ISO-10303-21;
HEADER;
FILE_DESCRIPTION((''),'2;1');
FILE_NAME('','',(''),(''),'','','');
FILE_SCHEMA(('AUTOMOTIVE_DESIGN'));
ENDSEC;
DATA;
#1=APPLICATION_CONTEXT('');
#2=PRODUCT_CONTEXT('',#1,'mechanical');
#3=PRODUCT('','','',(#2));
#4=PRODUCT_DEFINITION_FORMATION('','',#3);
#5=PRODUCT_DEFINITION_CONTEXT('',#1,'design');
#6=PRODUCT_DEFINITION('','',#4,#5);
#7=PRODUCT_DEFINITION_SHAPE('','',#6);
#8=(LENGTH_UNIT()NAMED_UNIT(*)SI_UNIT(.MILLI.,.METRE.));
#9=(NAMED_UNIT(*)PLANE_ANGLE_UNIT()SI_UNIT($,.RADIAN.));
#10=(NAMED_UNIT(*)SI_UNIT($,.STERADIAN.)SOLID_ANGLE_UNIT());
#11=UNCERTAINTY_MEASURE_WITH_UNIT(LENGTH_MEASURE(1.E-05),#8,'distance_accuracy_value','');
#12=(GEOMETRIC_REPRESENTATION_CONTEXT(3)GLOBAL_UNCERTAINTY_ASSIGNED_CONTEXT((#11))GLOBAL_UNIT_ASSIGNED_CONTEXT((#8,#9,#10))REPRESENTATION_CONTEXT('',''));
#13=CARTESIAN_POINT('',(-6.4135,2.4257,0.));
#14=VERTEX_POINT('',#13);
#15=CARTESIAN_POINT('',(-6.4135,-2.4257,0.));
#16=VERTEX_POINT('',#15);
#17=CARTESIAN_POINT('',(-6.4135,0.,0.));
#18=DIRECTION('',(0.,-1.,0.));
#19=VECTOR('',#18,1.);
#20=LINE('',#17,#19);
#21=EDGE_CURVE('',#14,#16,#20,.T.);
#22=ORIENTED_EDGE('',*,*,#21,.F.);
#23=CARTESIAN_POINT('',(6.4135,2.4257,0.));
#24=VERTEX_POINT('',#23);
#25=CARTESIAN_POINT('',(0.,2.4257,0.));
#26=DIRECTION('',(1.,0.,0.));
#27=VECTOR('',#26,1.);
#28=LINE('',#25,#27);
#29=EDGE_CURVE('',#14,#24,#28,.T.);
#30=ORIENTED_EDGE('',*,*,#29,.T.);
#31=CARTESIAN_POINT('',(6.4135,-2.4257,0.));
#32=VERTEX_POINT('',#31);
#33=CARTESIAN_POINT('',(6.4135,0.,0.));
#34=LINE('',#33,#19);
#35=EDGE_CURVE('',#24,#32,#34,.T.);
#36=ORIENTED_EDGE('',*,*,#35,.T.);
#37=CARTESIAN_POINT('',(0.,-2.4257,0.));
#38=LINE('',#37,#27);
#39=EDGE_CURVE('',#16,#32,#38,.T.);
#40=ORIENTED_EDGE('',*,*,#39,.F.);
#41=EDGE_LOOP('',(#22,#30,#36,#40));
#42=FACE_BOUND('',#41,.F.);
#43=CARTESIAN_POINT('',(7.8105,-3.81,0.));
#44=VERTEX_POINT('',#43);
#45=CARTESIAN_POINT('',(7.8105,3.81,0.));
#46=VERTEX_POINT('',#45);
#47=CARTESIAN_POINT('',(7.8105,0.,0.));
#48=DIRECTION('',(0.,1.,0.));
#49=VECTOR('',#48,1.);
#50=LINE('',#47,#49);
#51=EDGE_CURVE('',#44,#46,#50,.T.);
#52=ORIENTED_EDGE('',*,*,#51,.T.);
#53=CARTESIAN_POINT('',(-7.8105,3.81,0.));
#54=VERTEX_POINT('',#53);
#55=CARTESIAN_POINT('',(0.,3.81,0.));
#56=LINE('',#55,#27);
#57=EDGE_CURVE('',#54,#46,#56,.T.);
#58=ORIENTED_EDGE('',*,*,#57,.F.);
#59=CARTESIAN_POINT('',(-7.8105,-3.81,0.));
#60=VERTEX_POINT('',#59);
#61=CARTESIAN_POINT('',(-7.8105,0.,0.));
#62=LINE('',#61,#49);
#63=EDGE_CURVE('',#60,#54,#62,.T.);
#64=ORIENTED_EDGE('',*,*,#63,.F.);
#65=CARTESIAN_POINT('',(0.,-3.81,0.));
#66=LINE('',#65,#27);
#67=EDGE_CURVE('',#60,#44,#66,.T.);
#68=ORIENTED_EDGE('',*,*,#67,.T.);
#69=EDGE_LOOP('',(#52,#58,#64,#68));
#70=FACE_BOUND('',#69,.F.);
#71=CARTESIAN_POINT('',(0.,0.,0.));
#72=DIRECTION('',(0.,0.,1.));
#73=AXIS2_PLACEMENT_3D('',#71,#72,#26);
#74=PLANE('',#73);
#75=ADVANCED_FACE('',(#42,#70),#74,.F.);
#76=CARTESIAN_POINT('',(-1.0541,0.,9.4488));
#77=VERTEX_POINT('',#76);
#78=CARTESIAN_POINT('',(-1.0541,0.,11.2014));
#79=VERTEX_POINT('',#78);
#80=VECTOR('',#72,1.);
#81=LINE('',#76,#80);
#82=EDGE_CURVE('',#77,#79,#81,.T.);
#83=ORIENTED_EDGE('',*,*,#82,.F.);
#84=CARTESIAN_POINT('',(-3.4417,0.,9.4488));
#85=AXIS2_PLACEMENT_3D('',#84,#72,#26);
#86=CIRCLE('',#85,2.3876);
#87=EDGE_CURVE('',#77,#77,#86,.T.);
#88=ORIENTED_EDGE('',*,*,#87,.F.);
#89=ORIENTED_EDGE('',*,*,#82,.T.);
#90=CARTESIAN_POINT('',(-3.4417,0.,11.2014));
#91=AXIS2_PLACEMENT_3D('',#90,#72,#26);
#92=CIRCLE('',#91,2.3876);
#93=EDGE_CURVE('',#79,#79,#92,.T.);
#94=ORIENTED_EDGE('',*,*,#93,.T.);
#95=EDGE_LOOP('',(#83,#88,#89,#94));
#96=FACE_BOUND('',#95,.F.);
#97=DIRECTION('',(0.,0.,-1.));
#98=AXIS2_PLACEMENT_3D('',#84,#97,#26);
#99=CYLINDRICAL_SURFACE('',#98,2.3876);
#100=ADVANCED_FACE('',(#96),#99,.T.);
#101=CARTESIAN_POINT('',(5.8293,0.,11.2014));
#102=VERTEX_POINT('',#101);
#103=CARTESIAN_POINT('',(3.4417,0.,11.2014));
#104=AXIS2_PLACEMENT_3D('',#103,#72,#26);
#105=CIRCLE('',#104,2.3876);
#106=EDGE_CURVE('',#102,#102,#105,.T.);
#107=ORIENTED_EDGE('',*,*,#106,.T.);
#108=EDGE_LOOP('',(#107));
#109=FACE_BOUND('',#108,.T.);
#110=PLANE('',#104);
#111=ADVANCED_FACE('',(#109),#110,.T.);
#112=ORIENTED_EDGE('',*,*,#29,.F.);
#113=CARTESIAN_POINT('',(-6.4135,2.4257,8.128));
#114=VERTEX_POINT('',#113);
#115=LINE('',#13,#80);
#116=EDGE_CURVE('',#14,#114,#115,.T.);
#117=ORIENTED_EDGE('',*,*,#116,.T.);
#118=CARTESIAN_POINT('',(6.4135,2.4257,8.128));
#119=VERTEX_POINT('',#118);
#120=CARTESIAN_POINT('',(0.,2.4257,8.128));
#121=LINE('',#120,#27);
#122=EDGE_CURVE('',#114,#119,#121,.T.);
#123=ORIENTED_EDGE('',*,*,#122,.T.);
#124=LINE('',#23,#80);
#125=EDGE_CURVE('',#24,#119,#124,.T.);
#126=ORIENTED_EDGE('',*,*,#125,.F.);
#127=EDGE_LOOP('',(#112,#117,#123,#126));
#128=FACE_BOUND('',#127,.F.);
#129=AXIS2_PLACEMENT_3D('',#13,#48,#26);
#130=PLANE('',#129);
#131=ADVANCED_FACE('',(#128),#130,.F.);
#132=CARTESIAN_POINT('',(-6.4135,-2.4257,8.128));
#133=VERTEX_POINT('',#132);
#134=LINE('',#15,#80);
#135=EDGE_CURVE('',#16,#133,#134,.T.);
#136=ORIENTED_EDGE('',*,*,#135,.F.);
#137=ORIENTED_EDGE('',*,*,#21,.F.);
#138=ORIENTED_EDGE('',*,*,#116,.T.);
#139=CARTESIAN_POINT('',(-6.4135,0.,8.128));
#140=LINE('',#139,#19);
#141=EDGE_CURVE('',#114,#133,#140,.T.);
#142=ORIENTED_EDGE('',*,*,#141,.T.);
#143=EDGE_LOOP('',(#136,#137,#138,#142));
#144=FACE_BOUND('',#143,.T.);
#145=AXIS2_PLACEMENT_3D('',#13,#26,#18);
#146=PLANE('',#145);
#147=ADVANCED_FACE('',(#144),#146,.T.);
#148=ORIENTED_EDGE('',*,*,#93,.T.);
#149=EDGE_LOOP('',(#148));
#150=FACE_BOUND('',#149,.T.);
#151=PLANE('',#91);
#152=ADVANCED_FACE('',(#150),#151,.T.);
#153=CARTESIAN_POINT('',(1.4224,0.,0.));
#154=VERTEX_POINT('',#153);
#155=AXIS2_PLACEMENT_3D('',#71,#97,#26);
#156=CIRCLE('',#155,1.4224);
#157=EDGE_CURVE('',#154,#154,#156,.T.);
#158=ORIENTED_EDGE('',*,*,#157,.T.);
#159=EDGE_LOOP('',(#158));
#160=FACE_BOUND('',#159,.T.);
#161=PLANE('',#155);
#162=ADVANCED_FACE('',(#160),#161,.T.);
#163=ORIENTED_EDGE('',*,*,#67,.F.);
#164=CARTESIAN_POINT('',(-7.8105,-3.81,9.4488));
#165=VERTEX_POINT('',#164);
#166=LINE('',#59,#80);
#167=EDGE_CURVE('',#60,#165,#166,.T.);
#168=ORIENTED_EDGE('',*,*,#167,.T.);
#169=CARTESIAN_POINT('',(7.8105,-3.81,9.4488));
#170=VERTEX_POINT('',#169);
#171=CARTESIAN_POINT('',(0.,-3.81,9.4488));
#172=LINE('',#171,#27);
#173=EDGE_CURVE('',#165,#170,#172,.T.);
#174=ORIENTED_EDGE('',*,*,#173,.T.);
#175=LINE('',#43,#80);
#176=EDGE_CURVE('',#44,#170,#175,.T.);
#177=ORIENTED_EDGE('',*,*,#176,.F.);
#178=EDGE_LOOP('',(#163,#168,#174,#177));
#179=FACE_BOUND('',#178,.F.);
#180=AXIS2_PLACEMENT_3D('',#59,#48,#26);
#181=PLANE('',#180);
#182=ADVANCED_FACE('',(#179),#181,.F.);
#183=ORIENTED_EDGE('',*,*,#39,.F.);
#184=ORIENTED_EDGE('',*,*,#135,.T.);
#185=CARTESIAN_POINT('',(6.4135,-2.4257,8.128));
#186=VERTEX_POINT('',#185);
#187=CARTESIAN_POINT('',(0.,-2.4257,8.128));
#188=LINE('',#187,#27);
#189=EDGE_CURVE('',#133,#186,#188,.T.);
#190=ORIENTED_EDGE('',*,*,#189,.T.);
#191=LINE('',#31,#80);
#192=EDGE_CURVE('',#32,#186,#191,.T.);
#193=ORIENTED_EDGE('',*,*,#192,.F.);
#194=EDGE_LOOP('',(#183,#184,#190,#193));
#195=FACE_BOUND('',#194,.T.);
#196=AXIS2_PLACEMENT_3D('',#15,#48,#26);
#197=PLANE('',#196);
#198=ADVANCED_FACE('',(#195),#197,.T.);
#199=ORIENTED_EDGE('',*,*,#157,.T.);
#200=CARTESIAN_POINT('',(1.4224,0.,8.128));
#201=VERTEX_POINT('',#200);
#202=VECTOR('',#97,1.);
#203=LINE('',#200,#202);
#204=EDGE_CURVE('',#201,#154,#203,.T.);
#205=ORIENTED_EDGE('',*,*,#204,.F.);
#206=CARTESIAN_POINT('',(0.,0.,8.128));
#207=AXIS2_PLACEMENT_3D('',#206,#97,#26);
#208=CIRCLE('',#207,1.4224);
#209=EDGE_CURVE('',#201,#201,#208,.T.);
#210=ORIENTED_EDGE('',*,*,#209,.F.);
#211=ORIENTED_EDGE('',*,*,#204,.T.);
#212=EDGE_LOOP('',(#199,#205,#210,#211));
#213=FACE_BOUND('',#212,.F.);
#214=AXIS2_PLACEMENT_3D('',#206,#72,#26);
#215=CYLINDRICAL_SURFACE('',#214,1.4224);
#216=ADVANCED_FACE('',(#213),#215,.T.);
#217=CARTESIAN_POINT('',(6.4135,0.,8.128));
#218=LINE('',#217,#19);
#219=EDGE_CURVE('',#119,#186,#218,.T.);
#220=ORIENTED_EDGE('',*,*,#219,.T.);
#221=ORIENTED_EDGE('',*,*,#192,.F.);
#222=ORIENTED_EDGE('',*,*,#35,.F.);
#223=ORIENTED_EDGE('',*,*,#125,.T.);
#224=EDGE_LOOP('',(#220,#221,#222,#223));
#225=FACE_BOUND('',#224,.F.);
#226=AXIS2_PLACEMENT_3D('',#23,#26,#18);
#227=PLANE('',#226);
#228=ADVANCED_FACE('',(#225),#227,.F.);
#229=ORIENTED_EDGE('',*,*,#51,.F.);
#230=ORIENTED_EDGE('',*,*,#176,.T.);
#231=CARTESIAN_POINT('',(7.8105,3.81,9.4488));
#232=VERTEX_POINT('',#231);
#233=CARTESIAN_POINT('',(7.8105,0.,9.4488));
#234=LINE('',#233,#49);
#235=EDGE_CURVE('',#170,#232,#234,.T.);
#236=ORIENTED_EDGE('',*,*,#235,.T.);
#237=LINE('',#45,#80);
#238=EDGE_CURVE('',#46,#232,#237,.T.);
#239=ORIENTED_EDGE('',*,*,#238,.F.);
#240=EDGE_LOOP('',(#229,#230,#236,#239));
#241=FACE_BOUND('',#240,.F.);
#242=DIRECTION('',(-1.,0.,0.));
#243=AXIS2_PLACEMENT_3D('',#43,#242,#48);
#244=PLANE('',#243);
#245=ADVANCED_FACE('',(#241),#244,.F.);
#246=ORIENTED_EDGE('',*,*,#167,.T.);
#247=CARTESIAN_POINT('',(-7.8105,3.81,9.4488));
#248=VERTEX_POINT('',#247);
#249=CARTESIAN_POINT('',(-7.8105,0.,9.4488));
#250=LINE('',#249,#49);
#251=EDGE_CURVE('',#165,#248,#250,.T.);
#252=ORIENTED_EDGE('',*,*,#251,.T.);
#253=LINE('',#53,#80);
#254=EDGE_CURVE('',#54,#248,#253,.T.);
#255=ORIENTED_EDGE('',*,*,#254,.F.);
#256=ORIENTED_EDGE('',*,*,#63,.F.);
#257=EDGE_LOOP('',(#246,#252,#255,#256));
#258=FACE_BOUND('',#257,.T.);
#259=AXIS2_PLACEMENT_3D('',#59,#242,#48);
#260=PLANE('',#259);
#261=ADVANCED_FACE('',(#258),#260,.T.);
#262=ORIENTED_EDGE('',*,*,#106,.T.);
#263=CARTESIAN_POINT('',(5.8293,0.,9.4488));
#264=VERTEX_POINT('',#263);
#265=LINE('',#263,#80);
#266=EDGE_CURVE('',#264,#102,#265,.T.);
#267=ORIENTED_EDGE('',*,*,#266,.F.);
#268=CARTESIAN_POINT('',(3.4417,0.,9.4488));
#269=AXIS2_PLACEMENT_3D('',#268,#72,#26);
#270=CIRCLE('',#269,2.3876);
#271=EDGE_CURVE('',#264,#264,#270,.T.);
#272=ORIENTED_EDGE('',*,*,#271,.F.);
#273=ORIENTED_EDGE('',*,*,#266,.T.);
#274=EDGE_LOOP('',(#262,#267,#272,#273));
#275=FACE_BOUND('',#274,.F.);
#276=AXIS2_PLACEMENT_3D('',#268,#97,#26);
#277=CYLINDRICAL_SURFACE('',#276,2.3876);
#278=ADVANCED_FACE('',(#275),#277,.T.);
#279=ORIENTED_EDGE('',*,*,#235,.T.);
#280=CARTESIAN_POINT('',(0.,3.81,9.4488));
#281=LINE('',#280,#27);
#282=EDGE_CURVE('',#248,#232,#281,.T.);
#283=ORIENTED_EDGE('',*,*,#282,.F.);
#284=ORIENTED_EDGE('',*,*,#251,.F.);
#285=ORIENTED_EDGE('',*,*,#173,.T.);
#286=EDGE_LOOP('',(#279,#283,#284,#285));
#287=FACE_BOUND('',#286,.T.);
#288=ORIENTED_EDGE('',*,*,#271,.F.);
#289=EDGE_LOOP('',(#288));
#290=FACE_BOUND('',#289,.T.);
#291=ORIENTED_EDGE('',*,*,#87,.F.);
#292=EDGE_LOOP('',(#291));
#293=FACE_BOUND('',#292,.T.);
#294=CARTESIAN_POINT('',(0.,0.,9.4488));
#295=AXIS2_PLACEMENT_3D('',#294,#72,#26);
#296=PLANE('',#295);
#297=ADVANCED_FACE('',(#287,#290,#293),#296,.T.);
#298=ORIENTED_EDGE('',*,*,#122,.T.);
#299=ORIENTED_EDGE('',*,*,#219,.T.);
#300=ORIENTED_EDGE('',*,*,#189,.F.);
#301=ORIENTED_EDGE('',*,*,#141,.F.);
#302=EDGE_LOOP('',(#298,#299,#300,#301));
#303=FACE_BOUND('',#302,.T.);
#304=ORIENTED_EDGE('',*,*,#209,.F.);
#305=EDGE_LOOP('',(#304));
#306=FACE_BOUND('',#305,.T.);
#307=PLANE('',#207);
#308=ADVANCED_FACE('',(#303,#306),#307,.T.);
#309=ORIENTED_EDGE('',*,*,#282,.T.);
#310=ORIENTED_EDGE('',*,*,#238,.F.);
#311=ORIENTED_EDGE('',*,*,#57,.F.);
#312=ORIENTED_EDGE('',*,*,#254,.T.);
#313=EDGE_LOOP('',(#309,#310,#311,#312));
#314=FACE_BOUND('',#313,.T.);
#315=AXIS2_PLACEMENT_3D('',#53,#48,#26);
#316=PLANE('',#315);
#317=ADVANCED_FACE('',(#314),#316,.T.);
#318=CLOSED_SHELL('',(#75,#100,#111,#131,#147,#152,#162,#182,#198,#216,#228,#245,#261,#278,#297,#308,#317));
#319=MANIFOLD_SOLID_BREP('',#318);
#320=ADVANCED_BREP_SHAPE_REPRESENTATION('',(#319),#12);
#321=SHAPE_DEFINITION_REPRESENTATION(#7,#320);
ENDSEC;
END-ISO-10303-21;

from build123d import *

# Parameters (mm, degrees)
F0_W     = 15.621
F0_H     = 7.62
F1_DEPTH = 9.4488
F2_R     = 2.3876
F3_DEPTH = 1.7526
F4_W     = 12.827
F4_H     = 4.8514
F5_DEPTH = 8.128
F6_R     = 1.4224
F7_DEPTH = 8.128


with BuildPart() as f1:
    # F0 (on Top) → F1 (new body)
    with BuildSketch(Plane.XY):
        Rectangle(F0_W, F0_H)
    extrude(amount=F1_DEPTH)

    # F2 (on face) → F3 (join)
    with BuildSketch(Plane.XY.offset(9.4488)):
        with Locations((-3.4417, 0)):
            Circle(F2_R)
        with Locations((3.4417, 0)):
            Circle(F2_R)
    extrude(amount=F3_DEPTH)

    # F4 (on face) → F5 (cut)
    with BuildSketch(Plane(origin=(0, 0, 0), x_dir=(1, 0, 0), z_dir=(0, 0, -1))):
        Rectangle(F4_W, F4_H)
    extrude(amount=-F5_DEPTH, mode=Mode.SUBTRACT)

    # F6 (on face) → F7 (join)
    with BuildSketch(Plane(origin=(0, 0, 8.128), x_dir=(1, 0, 0), z_dir=(0, 0, -1))):
        Circle(F6_R)
    extrude(amount=F7_DEPTH)


solid = f1.part
